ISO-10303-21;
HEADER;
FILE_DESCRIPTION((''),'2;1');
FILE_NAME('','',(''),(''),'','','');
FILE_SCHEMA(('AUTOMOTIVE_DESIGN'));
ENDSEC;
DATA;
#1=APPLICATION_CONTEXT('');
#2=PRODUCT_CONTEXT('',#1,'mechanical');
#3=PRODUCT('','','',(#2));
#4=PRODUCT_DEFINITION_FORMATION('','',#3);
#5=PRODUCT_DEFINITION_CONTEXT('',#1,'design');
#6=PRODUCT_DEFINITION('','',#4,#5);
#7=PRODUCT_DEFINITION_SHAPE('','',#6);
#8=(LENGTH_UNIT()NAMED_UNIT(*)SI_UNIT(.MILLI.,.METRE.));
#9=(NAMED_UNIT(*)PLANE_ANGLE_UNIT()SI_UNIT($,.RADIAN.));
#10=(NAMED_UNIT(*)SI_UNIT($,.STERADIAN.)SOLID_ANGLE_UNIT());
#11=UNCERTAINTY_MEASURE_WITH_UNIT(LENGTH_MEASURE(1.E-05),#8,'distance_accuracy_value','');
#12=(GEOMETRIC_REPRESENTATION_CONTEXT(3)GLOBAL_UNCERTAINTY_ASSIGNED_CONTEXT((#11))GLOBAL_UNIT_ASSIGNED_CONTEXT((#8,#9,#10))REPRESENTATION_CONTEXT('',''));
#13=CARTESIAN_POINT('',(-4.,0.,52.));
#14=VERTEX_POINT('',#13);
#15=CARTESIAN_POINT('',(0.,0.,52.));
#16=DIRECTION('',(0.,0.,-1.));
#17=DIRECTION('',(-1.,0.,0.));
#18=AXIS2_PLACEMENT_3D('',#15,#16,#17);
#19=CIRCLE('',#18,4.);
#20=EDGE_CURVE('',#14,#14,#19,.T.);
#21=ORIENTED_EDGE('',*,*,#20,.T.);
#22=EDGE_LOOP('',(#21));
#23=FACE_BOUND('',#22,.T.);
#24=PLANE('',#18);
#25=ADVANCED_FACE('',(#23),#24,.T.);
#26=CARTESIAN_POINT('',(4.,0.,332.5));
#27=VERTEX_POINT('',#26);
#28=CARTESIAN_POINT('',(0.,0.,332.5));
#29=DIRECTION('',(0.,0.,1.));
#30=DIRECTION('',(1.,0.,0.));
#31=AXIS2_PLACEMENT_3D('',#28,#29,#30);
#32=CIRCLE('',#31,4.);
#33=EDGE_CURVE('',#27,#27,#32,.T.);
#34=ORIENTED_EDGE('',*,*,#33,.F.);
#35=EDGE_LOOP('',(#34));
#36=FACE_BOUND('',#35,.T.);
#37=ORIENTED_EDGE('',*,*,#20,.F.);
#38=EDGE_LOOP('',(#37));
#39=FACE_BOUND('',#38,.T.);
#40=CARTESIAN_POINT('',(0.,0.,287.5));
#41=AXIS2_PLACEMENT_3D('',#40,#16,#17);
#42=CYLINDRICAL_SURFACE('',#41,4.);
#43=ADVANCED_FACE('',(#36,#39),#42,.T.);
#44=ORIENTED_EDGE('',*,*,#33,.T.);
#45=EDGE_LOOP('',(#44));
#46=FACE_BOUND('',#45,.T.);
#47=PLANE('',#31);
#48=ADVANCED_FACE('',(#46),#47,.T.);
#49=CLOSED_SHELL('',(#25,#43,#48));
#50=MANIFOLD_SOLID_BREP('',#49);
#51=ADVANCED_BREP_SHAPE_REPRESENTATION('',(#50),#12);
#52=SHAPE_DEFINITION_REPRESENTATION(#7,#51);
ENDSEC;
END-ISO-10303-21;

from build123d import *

# Parameters (mm, degrees)
SKETCH1_R           = 4
BOSS_EXTRUDE1_DEPTH = 287.5
SKETCH2_R           = 4
BOSS_EXTRUDE2_DEPTH = 45
SKETCH3_R           = 4
CUT_EXTRUDE1_DEPTH  = 65
SKETCH4_R           = 4
BOSS_EXTRUDE5_DEPTH = 13


with BuildPart() as part:
    # Sketch1 → Boss-Extrude1 (new body)
    with BuildSketch(Plane.XY):
        Circle(SKETCH1_R)
    extrude(amount=BOSS_EXTRUDE1_DEPTH)

    # Sketch2 → Boss-Extrude2 (add)
    with BuildSketch(Plane.XY.offset(287.5)):
        Circle(SKETCH2_R)
    extrude(amount=BOSS_EXTRUDE2_DEPTH)

    # Sketch3 → Cut-Extrude1 (cut)
    with BuildSketch(Plane(origin=(0, 0, 0), x_dir=(-1, 0, 0), z_dir=(0, 0, -1))):
        Circle(SKETCH3_R)
    extrude(amount=-CUT_EXTRUDE1_DEPTH, mode=Mode.SUBTRACT)

    # Sketch4 → Boss-Extrude5 (add)
    with BuildSketch(Plane(origin=(0, 0, 65), x_dir=(-1, 0, 0), z_dir=(0, 0, -1))):
        Circle(SKETCH4_R)
    extrude(amount=BOSS_EXTRUDE5_DEPTH)


solid = part.part
